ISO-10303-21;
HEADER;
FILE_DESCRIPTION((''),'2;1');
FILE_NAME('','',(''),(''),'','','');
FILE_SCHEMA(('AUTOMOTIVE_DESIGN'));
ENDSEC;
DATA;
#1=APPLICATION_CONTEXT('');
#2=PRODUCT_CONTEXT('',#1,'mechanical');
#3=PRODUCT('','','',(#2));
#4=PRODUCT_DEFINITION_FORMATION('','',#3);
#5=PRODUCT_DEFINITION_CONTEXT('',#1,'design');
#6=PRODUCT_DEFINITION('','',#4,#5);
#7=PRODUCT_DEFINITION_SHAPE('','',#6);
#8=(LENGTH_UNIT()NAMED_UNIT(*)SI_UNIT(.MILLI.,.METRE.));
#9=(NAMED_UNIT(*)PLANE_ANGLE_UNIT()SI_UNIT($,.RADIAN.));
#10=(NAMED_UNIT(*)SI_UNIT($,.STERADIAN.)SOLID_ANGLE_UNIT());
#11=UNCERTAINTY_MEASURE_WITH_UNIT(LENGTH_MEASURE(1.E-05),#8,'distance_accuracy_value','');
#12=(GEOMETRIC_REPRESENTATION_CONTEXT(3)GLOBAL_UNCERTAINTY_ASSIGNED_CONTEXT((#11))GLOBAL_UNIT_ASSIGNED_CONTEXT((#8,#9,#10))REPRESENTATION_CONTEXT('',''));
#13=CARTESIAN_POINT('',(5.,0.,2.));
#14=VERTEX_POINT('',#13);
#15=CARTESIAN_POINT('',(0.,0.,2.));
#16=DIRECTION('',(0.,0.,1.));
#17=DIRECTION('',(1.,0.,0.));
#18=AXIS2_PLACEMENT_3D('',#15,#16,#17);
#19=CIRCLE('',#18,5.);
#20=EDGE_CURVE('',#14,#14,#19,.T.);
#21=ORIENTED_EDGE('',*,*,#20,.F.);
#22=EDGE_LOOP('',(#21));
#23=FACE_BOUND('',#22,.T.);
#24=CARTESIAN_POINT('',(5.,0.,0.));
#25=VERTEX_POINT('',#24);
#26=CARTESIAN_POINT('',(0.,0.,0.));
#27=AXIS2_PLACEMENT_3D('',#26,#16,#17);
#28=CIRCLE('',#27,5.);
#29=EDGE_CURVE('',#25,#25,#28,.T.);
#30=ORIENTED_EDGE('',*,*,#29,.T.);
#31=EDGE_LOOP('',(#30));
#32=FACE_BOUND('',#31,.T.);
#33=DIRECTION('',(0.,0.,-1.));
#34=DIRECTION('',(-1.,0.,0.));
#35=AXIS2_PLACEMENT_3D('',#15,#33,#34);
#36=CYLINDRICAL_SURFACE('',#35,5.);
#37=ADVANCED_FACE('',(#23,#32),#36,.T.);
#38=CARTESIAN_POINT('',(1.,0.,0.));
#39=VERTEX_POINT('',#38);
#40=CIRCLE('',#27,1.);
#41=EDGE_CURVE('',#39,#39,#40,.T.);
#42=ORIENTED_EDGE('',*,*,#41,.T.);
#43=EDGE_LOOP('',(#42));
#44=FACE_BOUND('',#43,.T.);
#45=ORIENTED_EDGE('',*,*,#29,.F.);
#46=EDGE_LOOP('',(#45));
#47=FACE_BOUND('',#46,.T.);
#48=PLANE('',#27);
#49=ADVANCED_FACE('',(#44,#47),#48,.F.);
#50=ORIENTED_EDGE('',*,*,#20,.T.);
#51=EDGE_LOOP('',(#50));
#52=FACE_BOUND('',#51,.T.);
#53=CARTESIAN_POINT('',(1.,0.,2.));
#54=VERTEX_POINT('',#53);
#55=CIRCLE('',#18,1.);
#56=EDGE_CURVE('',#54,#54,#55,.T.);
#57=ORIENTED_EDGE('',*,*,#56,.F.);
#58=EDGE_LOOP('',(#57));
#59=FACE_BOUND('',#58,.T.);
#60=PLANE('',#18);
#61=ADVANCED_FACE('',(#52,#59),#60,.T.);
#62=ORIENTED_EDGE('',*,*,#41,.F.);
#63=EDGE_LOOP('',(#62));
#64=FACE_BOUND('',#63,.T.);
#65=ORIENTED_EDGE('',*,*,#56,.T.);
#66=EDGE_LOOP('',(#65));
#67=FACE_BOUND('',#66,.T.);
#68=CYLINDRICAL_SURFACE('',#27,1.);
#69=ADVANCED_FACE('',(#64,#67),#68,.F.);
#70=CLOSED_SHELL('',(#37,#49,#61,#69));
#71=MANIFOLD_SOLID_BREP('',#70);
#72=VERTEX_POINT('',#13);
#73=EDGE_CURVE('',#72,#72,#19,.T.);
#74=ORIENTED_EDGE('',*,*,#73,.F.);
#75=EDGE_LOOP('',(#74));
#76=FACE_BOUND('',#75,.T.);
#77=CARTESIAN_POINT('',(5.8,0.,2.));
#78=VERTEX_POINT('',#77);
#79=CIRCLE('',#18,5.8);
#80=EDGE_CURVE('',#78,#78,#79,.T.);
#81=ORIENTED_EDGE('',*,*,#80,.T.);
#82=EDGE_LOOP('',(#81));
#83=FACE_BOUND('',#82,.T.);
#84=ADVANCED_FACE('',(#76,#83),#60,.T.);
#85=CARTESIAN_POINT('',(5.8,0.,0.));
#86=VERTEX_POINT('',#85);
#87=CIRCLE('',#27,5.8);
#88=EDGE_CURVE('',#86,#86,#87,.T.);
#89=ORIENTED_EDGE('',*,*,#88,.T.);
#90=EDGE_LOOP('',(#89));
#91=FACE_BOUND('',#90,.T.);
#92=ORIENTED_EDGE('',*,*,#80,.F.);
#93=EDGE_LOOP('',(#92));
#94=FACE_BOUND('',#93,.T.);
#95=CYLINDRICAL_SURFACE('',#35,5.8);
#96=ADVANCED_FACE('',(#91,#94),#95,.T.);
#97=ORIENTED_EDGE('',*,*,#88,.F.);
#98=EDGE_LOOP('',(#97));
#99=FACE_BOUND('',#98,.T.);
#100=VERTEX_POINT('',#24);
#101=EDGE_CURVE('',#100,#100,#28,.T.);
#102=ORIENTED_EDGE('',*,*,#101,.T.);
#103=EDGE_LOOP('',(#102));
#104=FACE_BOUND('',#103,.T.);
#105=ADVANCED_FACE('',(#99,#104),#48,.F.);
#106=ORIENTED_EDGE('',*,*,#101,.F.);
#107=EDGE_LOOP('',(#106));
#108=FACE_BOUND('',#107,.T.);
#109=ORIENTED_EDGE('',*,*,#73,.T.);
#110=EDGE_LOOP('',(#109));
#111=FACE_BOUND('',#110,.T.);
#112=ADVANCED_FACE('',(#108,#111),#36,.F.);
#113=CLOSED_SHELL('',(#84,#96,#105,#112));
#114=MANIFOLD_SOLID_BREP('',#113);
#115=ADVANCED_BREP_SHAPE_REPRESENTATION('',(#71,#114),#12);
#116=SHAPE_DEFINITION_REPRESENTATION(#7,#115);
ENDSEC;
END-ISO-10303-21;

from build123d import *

# Parameters (mm, degrees)
SKETCH1_R           = 5.8
SKETCH1_R_2         = 5
BOSS_EXTRUDE1_DEPTH = 2
SKETCH1_2_R         = 5
BOSS_EXTRUDE2_DEPTH = 2
SKETCH2_R           = 1
CUT_EXTRUDE1_DEPTH  = 2


with BuildPart() as part:
    # Sketch1 → Boss-Extrude1 (new body)
    with BuildSketch(Plane.XY):
        Circle(SKETCH1_R)
        Circle(SKETCH1_R_2, mode=Mode.SUBTRACT)
    extrude(amount=BOSS_EXTRUDE1_DEPTH)


with BuildPart() as body_2:
    # Sketch1<2> → Boss-Extrude2 (new body)
    with BuildSketch(Plane.XY):
        Circle(SKETCH1_2_R)
    extrude(amount=BOSS_EXTRUDE2_DEPTH)

    # Sketch2 → Cut-Extrude1 (cut)
    with BuildSketch(Plane.XY.offset(2)):
        Circle(SKETCH2_R)
    extrude(amount=-CUT_EXTRUDE1_DEPTH, mode=Mode.SUBTRACT)


solid = Compound([part.part, body_2.part])
